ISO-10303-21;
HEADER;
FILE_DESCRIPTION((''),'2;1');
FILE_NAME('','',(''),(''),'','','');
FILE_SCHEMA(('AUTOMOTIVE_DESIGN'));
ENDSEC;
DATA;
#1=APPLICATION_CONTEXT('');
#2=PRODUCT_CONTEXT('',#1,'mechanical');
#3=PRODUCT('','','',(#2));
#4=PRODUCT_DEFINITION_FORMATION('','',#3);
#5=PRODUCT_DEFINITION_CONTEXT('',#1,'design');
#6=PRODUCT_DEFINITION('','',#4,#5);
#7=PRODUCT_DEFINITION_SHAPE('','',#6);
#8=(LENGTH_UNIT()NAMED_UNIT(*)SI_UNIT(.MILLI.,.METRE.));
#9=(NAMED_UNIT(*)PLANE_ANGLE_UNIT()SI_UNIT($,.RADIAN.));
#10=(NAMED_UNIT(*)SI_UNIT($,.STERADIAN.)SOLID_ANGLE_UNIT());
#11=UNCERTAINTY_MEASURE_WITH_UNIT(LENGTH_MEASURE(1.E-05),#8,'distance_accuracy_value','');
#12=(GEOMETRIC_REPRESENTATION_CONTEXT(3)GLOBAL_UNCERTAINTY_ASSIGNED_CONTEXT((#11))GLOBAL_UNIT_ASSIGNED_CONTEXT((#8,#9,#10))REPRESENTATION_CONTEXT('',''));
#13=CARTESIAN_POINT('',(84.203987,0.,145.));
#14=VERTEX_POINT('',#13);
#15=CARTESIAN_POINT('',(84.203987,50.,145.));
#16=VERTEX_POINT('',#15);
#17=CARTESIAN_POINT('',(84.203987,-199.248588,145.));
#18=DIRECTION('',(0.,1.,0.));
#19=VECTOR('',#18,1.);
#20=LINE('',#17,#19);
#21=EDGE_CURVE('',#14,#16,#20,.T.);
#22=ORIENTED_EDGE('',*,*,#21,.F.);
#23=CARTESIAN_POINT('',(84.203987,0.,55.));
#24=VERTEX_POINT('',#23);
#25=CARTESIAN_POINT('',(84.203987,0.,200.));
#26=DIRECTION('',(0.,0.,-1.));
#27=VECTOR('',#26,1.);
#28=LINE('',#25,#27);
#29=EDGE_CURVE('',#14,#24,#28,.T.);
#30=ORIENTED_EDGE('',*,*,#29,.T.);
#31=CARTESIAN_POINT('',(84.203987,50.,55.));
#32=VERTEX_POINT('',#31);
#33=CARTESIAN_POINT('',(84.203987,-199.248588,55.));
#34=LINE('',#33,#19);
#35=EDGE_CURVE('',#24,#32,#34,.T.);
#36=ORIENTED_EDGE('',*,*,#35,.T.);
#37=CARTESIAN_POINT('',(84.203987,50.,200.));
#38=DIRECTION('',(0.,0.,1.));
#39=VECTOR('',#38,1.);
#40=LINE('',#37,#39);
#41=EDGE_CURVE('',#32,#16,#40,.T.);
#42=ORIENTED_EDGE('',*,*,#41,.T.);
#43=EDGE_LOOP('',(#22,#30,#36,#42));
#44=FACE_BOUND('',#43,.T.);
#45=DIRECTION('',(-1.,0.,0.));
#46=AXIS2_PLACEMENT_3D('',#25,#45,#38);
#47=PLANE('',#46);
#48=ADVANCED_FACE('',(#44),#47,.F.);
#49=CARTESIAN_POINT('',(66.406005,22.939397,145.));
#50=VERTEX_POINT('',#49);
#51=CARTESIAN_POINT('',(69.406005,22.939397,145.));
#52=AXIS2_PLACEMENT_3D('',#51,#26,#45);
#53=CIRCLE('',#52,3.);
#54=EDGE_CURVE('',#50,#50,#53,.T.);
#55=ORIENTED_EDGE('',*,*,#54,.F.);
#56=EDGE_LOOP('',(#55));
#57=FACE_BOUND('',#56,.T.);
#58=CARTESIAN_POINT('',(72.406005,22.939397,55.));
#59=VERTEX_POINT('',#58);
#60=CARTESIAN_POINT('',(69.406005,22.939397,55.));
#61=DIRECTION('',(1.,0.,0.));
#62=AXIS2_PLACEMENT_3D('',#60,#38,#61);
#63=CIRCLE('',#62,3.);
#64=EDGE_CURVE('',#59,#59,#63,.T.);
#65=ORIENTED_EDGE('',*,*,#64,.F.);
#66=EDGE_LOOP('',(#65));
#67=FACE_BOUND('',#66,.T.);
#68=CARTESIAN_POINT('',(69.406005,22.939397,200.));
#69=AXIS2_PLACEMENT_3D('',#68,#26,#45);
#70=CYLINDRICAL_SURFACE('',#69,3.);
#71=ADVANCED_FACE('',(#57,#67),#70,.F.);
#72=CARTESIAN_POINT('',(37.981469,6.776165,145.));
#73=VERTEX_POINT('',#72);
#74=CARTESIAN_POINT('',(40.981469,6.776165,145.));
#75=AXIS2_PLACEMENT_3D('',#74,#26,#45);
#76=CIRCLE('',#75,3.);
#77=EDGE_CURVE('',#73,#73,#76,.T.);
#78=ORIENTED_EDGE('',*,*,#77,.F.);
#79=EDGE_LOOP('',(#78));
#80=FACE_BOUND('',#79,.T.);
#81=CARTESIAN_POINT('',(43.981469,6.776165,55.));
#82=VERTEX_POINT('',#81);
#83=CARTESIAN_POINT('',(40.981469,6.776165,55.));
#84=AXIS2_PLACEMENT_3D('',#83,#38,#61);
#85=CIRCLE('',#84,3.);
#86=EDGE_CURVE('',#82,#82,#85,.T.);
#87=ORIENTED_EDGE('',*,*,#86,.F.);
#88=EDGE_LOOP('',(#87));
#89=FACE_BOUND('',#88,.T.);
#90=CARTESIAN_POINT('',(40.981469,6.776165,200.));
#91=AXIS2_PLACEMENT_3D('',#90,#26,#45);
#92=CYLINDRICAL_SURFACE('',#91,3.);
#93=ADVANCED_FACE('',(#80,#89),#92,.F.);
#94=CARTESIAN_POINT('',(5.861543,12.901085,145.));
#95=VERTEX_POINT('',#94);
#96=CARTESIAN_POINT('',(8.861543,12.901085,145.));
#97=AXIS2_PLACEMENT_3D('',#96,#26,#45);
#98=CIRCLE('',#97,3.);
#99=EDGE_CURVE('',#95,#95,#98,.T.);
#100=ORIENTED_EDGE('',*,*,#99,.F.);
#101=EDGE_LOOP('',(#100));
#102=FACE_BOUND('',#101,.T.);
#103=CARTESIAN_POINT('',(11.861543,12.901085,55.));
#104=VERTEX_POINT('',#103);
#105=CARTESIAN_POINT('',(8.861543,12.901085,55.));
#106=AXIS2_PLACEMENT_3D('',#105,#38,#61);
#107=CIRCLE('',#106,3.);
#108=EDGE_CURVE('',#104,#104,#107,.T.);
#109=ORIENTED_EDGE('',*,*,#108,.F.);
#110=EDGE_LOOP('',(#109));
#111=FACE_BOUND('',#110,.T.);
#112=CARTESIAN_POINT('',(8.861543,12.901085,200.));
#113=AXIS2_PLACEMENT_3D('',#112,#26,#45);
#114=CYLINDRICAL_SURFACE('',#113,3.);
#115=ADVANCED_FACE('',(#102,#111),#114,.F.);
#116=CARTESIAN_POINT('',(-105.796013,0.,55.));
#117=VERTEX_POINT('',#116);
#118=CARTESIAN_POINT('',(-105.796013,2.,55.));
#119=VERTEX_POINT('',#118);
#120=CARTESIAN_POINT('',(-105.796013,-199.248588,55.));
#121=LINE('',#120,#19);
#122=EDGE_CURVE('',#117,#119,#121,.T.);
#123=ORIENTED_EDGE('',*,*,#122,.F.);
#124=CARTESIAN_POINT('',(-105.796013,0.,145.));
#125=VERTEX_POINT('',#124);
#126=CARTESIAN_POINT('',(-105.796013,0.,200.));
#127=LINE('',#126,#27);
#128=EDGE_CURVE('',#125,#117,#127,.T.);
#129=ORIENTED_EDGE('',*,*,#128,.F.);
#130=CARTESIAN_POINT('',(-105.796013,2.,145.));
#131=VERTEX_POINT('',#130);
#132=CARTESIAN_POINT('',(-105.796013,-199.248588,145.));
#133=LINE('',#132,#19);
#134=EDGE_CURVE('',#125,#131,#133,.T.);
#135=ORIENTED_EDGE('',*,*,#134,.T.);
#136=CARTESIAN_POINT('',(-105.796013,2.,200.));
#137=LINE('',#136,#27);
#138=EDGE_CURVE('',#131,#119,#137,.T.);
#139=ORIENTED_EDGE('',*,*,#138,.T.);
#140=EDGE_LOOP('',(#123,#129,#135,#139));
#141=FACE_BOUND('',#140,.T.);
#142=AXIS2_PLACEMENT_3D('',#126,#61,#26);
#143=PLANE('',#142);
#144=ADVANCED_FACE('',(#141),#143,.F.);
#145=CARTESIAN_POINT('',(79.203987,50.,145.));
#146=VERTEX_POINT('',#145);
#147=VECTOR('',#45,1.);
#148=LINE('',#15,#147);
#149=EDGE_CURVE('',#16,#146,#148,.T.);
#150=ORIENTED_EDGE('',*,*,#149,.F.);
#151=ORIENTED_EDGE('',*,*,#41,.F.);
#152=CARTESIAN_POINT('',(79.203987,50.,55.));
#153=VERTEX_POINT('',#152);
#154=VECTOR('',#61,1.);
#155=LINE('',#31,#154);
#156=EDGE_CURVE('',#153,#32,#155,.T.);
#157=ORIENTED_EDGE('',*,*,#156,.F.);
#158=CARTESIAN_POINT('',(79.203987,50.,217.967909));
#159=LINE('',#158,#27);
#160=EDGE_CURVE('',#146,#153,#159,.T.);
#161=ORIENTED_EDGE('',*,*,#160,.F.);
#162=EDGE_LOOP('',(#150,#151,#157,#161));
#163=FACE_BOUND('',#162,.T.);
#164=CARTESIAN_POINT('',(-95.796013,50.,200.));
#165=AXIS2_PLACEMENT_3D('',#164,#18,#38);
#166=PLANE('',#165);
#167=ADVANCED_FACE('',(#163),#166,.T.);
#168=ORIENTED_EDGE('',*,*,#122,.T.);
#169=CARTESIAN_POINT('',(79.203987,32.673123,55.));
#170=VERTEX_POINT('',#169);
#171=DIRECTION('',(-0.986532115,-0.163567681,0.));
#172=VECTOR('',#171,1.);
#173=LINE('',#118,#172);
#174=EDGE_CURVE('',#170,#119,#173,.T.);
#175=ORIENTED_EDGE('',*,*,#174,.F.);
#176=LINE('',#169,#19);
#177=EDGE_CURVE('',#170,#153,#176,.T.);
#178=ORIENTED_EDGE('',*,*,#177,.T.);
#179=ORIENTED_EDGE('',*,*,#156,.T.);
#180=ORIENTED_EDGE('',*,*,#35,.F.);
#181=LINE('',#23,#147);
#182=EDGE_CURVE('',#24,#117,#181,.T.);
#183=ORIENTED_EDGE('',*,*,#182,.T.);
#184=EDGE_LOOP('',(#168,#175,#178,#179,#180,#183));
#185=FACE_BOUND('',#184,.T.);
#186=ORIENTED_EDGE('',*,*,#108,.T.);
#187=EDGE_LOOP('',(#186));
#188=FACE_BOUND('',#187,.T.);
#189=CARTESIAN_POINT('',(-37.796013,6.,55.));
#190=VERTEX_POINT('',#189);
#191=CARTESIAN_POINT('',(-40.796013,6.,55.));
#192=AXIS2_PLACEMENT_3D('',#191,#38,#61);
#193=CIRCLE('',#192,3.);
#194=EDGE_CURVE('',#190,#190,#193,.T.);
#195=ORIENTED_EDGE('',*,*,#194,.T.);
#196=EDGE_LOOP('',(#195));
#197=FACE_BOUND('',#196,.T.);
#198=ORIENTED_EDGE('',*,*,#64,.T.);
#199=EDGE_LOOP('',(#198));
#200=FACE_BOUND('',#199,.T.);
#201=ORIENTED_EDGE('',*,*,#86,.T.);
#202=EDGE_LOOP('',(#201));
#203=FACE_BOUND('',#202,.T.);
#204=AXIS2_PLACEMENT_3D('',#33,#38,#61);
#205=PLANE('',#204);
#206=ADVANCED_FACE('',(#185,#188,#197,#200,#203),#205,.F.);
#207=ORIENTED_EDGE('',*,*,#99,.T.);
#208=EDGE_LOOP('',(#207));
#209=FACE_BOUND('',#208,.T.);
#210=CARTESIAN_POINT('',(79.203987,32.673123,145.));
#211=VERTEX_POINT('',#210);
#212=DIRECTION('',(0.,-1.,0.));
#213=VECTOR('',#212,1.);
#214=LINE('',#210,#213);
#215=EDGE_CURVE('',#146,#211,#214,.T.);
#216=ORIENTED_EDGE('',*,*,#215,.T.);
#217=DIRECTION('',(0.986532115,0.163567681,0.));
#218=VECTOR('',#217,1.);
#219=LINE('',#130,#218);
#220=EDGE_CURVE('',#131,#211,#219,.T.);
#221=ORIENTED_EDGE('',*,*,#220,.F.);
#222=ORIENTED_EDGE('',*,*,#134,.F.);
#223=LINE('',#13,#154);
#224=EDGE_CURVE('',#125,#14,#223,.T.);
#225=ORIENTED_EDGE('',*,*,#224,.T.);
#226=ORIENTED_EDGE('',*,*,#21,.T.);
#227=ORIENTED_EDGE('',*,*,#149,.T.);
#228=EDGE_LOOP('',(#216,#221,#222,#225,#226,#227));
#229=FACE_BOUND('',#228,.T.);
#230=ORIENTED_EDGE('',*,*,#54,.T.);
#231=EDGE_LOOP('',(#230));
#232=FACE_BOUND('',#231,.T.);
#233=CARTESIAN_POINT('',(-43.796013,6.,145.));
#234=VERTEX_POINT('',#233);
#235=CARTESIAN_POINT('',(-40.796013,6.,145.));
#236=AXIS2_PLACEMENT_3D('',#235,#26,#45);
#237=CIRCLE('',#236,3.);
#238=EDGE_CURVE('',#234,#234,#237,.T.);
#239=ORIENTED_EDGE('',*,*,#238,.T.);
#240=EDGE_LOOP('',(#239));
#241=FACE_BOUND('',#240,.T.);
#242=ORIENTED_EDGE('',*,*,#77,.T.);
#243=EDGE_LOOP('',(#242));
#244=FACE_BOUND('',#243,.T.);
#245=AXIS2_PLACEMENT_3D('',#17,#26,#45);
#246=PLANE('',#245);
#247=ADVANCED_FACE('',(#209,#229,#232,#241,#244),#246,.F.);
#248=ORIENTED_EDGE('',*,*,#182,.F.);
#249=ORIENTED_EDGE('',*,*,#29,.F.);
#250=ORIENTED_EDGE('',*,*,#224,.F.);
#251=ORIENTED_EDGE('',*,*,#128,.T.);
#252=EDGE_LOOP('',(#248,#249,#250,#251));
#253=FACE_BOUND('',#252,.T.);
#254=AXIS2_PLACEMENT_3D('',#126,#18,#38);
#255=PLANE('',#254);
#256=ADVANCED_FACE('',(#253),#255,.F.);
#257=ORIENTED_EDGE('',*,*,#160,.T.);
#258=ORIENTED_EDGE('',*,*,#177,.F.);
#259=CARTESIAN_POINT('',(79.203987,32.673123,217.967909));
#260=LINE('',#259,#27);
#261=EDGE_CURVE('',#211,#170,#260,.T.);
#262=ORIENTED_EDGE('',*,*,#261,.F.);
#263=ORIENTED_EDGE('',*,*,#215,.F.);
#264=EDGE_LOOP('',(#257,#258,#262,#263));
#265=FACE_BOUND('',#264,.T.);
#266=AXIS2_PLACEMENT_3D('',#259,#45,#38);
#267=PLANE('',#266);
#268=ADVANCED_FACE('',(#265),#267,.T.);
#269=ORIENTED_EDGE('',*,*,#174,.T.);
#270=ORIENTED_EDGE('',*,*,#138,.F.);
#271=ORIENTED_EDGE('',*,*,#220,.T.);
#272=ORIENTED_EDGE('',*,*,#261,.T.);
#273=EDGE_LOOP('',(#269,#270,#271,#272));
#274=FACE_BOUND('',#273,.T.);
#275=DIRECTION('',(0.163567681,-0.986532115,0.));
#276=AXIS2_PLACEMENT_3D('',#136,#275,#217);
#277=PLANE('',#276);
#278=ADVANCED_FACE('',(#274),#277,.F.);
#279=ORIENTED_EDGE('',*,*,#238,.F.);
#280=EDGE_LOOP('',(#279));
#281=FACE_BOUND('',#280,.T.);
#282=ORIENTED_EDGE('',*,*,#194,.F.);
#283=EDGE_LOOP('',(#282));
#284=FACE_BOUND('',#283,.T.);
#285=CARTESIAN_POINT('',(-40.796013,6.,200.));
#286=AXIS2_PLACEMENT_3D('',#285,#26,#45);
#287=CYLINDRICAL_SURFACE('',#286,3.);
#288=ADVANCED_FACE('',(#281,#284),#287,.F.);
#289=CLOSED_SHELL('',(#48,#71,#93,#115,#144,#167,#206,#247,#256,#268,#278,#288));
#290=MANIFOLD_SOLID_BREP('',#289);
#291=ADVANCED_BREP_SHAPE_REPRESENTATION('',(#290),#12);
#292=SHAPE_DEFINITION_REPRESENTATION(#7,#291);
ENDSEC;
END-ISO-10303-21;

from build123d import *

# Parameters (mm, degrees)
ESQUISSE1_R             = 3
BOSS_EXTRU_1_DEPTH      = 200
ESQUISSE4_W             = 5
ESQUISSE4_H             = 50
BOSS_EXTRU_4_DEPTH      = 180
BOSS_EXTRU_7_DEPTH      = 50
ESQUISSE6_W             = 20
ESQUISSE6_H             = 10.719834163
ENL_V_MAT_EXTRU_2_DEPTH = 10
ESQUISSE5_W             = 10
ESQUISSE5_H             = 10
ENL_V_MAT_EXTRU_1_DEPTH = 10
ESQUISSE14_R            = 5
ENL_V_MAT_EXTRU_4_DEPTH = 15
BOSS_EXTRU_8_REACH      = 242.401
ENL_V_MAT_EXTRU_5_REACH = 238.046
ESQUISSE16_W            = 190
ESQUISSE16_H            = 60


with BuildPart() as part:
    # Esquisse1 → Boss.-Extru.1 (new body)
    with BuildSketch(Plane.XY):
        Polygon((-105.796013405, 0), (84.203986595, 0), (84.203986595, 33.502126335), (-105.796013405, 2), align=None)
        with Locations((69.406004871, 22.939397164)):
            Circle(ESQUISSE1_R, mode=Mode.SUBTRACT)
        with Locations((40.981469067, 6.77616521)):
            Circle(ESQUISSE1_R, mode=Mode.SUBTRACT)
        with Locations((-40.796013405, 6)):
            Circle(ESQUISSE1_R, mode=Mode.SUBTRACT)
        with Locations((8.861542866, 12.901085106)):
            Circle(ESQUISSE1_R, mode=Mode.SUBTRACT)
    extrude(amount=BOSS_EXTRU_1_DEPTH)

    # Esquisse4 → Boss.-Extru.4 (add)
    with BuildSketch(Plane(origin=(84.203986595, 0, 0), x_dir=(0, 0, -1), z_dir=(1, 0, 0))):
        with Locations((-202.5, 25)):
            Rectangle(ESQUISSE4_W, ESQUISSE4_H)
        with Locations((2.5, 25)):
            Rectangle(ESQUISSE4_W, ESQUISSE4_H)
    extrude(amount=-BOSS_EXTRU_4_DEPTH)

    # Esquisse8 → Boss.-Extru.7 (add)
    with BuildSketch(Plane(origin=(0, 50, 0), x_dir=(1, 0, 0), z_dir=(0, 1, 0))):
        Polygon((84.203986595, 0), (-95.796013405, 0), (-95.796013405, -5), align=None)
    boss_extru_7 = extrude(amount=-BOSS_EXTRU_7_DEPTH)

    # Esquisse6 → Enlèv. mat.-Extru.2 (cut)
    with BuildSketch(Plane(origin=(0, 0, -5), x_dir=(-1, 0, 0), z_dir=(0, 0, -1))):
        with Locations((95.796013405, 5.359917081)):
            Rectangle(ESQUISSE6_W, ESQUISSE6_H)
    enl_v_mat_extru_2 = extrude(amount=-ENL_V_MAT_EXTRU_2_DEPTH, mode=Mode.SUBTRACT)

    # Esquisse5 → Enlèv. mat.-Extru.1 (cut)
    with BuildSketch(Plane(origin=(84.203986595, 0, 0), x_dir=(0, 0, -1), z_dir=(1, 0, 0))):
        with Locations((-200, 5)):
            Rectangle(ESQUISSE5_W, ESQUISSE5_H)
        with Locations((0, 5)):
            Rectangle(ESQUISSE5_W, ESQUISSE5_H)
    extrude(amount=-ENL_V_MAT_EXTRU_1_DEPTH, mode=Mode.SUBTRACT)

    # Esquisse14 → Enlèv. mat.-Extru.4 (cut)
    with BuildSketch(Plane(origin=(0, 0, -5), x_dir=(-1, 0, 0), z_dir=(0, 0, -1))):
        with Locations((-69.406004871, 22.939397164)):
            Circle(ESQUISSE14_R)
        with Locations((-40.981469067, 6.77616521)):
            Circle(ESQUISSE14_R)
        with Locations((-8.861542866, 12.901085106)):
            Circle(ESQUISSE14_R)
        with Locations((40.796013405, 6)):
            Circle(ESQUISSE14_R)
    enl_v_mat_extru_4 = extrude(amount=-ENL_V_MAT_EXTRU_4_DEPTH, mode=Mode.SUBTRACT)

    # Symétrie3: Boss.-Extru.7, Enlèv. mat.-Extru.2, Enlèv. mat.-Extru.4 across plane
    add(boss_extru_7.mirror(Plane(origin=(0, 0, 100), x_dir=(1, 0, 0), z_dir=(0, 0, -1))))
    add(enl_v_mat_extru_2.mirror(Plane(origin=(0, 0, 100), x_dir=(1, 0, 0), z_dir=(0, 0, -1))), mode=Mode.SUBTRACT)
    add(enl_v_mat_extru_4.mirror(Plane(origin=(0, 0, 100), x_dir=(1, 0, 0), z_dir=(0, 0, -1))), mode=Mode.SUBTRACT)

    # Boss.-Extru.8: up to this plane
    boss_extru_8_end = Plane(origin=(-95.796013405, -180.069431054, 195), z_dir=(-0.0277670672403533, 0, 0.9996144206527183))
    # Esquisse15 → Boss.-Extru.8 (add, up to the surface)
    with BuildSketch(Plane(origin=(0, 0, -5), x_dir=(-1, 0, 0), z_dir=(0, 0, -1)), mode=Mode.PRIVATE) as boss_extru_8_sk1:
        Polygon((-84.203986595, 33.502126335), (-79.203986595, 32.67312301), (-79.203986595, 50), (-84.203986595, 50), align=None)
    boss_extru_8_tool1 = split(extrude(boss_extru_8_sk1.sketch, amount=-BOSS_EXTRU_8_REACH, mode=Mode.PRIVATE), bisect_by=boss_extru_8_end, keep=Keep.BOTH, mode=Mode.PRIVATE)
    add(boss_extru_8_tool1.solids().sort_by_distance((81.683563, 41.542119, -5))[0])

    # Enlèv. mat.-Extru.5: up to this face of the body (flat: up to its plane)
    enl_v_mat_extru_5_end = Plane(part.part.faces().sort_by_distance((-10.38578146, 0, 100.003530671))[0])
    # Esquisse16 → Enlèv. mat.-Extru.5 (cut, up to the picked face)
    with BuildSketch(Plane(origin=(0, 50, 0), x_dir=(1, 0, 0), z_dir=(0, 1, 0)), mode=Mode.PRIVATE) as enl_v_mat_extru_5_sk1:
        with Locations((-10.796013405, -175)):
            Rectangle(ESQUISSE16_W, ESQUISSE16_H)
    enl_v_mat_extru_5_tool1 = split(extrude(enl_v_mat_extru_5_sk1.sketch, amount=-ENL_V_MAT_EXTRU_5_REACH, mode=Mode.PRIVATE), bisect_by=enl_v_mat_extru_5_end, keep=Keep.BOTH, mode=Mode.PRIVATE)
    # Esquisse16 → Enlèv. mat.-Extru.5 (cut, up to the picked face)
    with BuildSketch(Plane(origin=(0, 50, 0), x_dir=(1, 0, 0), z_dir=(0, 1, 0)), mode=Mode.PRIVATE) as enl_v_mat_extru_5_sk2:
        with Locations((-10.796013405, -25)):
            Rectangle(ESQUISSE16_W, ESQUISSE16_H)
    enl_v_mat_extru_5_tool2 = split(extrude(enl_v_mat_extru_5_sk2.sketch, amount=-ENL_V_MAT_EXTRU_5_REACH, mode=Mode.PRIVATE), bisect_by=enl_v_mat_extru_5_end, keep=Keep.BOTH, mode=Mode.PRIVATE)
    add(enl_v_mat_extru_5_tool1.solids().sort_by(Axis((-10.796013, 50, 175), (0, -1, 0)))[0], mode=Mode.SUBTRACT)
    add(enl_v_mat_extru_5_tool2.solids().sort_by(Axis((-10.796013, 50, 25), (0, -1, 0)))[0], mode=Mode.SUBTRACT)


solid = part.part
